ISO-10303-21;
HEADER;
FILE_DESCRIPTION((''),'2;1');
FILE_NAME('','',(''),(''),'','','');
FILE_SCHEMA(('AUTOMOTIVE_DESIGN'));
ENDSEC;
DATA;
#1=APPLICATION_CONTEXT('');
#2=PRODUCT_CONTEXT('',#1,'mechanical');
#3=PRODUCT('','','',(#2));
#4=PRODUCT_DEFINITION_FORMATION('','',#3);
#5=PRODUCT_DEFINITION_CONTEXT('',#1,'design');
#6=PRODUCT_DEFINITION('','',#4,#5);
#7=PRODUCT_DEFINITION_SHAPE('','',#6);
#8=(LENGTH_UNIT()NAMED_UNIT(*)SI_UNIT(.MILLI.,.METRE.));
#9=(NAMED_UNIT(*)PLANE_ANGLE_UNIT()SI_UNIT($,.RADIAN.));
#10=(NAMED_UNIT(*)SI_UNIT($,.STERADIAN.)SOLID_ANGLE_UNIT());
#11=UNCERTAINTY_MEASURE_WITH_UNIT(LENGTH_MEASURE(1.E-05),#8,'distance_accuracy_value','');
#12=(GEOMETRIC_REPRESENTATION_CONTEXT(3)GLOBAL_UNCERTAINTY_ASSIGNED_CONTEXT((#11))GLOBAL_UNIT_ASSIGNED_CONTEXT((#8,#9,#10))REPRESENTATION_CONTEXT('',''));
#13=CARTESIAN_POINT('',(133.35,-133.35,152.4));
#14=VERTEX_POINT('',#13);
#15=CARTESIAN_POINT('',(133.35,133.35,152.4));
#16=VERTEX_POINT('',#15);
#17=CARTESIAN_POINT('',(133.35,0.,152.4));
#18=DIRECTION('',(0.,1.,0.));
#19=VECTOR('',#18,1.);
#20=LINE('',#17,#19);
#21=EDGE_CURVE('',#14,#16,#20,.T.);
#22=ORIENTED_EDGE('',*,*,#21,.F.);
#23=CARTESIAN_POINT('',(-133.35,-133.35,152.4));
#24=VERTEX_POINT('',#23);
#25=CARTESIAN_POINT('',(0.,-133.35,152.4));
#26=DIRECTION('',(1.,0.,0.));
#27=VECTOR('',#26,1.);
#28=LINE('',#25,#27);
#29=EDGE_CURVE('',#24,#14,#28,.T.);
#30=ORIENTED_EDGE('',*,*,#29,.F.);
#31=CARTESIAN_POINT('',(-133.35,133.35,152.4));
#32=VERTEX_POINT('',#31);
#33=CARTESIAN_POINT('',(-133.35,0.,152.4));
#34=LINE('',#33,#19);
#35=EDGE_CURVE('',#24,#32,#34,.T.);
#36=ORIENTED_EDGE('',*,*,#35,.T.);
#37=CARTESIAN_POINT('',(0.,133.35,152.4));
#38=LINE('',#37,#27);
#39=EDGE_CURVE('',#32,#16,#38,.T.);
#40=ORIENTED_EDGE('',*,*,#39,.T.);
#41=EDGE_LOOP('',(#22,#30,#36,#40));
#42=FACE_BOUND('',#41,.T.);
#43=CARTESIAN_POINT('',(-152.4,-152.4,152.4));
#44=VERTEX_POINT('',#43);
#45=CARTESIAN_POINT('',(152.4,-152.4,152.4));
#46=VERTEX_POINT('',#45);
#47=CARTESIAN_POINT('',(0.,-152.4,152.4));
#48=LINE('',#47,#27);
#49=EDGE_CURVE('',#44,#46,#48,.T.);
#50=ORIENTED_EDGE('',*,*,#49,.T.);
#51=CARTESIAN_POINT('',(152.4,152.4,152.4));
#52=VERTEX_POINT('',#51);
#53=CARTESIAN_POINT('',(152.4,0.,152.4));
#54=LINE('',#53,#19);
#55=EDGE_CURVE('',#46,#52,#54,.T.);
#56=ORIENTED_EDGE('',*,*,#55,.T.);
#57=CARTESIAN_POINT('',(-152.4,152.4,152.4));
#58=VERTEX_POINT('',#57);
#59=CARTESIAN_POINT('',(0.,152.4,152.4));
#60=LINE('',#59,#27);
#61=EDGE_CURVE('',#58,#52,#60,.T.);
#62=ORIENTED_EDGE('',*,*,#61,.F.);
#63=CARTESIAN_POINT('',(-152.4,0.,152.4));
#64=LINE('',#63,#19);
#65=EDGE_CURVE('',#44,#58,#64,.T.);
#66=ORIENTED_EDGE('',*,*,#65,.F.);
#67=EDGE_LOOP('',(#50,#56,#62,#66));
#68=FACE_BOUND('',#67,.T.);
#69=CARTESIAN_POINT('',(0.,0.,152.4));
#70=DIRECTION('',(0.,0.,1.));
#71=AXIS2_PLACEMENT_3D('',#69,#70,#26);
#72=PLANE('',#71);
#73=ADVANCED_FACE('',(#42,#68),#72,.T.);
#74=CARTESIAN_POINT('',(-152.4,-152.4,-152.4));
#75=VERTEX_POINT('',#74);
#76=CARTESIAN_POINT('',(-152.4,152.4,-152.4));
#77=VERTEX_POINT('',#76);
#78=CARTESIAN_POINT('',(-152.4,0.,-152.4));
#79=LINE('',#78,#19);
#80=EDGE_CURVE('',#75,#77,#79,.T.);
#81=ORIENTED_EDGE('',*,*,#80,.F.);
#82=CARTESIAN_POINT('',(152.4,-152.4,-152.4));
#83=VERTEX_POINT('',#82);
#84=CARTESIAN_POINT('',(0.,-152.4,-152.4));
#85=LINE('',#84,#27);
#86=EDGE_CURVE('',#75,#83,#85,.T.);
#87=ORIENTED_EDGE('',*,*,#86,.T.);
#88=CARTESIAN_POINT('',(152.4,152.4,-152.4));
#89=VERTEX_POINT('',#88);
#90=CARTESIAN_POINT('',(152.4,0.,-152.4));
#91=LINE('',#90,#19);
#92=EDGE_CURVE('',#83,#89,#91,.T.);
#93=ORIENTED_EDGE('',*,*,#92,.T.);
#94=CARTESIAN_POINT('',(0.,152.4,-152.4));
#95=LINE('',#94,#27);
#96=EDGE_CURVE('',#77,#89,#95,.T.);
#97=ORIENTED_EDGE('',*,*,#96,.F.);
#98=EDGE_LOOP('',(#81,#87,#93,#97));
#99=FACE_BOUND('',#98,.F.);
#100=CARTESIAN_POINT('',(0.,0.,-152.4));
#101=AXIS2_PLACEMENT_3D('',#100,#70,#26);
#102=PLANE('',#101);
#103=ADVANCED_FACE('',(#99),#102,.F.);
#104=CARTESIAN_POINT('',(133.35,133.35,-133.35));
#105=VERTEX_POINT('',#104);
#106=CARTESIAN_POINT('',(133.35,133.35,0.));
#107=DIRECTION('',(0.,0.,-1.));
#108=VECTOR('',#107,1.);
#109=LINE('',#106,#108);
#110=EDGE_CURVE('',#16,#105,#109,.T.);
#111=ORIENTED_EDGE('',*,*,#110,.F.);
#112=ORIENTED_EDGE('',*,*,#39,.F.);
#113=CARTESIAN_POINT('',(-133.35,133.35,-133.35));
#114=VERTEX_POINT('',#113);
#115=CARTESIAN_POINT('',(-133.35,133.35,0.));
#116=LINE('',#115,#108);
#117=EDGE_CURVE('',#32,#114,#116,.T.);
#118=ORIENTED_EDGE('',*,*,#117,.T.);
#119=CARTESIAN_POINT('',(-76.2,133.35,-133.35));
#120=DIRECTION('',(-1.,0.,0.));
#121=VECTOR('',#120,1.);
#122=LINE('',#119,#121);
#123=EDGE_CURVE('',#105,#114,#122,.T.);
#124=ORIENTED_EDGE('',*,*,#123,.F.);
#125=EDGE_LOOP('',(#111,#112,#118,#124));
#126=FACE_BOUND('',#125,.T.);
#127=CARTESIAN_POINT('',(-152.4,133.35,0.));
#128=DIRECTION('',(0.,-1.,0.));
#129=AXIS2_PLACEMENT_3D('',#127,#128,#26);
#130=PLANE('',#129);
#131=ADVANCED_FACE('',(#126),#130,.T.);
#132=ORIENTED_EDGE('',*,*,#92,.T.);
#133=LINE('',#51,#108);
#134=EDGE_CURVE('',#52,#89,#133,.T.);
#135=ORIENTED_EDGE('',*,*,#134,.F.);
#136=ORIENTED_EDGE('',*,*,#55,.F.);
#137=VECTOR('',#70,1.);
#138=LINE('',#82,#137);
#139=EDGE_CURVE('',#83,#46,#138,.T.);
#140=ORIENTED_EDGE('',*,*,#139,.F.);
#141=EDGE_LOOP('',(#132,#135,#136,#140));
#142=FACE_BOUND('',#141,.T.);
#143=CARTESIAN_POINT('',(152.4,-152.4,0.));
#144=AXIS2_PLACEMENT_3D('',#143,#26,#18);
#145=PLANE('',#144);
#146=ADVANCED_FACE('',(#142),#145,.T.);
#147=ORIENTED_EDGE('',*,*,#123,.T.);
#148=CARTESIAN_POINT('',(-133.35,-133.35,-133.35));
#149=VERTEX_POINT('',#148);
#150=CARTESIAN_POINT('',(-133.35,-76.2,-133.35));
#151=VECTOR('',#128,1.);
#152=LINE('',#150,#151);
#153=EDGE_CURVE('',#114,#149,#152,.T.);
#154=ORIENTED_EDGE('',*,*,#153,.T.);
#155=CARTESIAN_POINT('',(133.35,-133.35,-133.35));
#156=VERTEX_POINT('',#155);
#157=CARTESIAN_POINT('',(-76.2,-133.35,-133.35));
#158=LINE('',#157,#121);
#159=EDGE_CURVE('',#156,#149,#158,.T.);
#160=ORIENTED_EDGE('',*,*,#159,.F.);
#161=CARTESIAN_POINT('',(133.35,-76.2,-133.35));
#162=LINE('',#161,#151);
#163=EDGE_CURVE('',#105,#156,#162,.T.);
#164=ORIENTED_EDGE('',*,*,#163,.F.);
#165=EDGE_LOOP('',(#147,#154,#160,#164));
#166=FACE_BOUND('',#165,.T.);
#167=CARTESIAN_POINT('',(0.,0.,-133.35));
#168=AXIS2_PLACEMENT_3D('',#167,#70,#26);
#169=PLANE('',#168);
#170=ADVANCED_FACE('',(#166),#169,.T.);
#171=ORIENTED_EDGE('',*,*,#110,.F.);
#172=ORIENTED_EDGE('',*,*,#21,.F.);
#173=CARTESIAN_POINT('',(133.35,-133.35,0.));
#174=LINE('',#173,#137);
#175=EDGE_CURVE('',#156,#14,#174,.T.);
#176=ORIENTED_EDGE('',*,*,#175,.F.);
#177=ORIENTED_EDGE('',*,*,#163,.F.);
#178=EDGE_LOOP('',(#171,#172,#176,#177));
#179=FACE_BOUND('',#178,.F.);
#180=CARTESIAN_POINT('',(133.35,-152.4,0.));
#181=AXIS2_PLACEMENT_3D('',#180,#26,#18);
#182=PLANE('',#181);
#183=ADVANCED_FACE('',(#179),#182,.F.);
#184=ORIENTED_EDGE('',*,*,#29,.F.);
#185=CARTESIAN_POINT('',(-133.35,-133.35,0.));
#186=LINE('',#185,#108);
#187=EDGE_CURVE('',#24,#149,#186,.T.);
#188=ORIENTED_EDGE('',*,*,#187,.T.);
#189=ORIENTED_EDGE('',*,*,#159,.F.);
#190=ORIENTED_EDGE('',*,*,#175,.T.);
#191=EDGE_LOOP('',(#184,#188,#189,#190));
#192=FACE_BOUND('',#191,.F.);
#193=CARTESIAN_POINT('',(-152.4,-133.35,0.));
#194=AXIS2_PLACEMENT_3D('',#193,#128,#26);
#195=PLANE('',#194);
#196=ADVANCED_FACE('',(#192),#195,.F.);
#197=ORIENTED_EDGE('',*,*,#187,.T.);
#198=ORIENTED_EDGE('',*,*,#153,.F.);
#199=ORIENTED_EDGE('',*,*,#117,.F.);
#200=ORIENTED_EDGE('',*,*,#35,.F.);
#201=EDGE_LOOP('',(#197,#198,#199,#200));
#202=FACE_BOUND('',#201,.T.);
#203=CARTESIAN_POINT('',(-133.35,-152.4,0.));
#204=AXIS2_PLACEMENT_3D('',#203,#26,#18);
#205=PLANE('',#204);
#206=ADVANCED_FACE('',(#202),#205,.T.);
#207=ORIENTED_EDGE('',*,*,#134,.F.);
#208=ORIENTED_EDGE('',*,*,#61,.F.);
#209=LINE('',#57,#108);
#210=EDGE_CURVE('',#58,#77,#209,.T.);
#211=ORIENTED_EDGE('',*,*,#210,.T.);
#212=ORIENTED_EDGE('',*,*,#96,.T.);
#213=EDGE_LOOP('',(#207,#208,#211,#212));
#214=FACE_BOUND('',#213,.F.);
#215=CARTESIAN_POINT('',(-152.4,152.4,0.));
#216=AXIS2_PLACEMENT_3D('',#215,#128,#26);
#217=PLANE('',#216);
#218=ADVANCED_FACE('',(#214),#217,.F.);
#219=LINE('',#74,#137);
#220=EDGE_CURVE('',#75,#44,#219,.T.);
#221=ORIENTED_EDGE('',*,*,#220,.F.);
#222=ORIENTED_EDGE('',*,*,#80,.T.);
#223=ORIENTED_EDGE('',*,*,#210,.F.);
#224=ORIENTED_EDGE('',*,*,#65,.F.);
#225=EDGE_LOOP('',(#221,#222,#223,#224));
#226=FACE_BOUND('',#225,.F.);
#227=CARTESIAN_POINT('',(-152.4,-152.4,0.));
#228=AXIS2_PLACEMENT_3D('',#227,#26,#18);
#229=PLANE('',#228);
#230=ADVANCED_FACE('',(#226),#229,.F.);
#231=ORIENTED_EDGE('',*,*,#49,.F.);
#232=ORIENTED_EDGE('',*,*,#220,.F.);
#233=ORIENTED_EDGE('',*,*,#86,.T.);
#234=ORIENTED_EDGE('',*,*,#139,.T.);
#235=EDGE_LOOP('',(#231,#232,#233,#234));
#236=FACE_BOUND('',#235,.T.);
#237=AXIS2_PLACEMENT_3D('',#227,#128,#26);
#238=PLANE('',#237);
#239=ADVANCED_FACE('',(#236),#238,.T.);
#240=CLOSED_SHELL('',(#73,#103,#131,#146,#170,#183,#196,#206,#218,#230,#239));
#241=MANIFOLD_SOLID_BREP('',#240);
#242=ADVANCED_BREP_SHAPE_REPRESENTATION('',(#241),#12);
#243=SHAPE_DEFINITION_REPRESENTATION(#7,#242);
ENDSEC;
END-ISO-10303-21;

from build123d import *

# Parameters (mm, degrees)
F0_W     = 304.8
F0_H     = 304.8
F1_DEPTH = 152.4
F2_T     = -19.05


with BuildPart() as f1:
    # F0 (on Top) → F1 (new body, symmetric)
    with BuildSketch(Plane.XY):
        Rectangle(F0_W, F0_H)
    extrude(amount=F1_DEPTH, both=True)

    # F2
    f2_openings = [f1.faces().sort_by_distance(p)[0] for p in [
        (0, 0, 152.4),
    ]]
    offset(amount=F2_T, openings=f2_openings)


solid = f1.part
